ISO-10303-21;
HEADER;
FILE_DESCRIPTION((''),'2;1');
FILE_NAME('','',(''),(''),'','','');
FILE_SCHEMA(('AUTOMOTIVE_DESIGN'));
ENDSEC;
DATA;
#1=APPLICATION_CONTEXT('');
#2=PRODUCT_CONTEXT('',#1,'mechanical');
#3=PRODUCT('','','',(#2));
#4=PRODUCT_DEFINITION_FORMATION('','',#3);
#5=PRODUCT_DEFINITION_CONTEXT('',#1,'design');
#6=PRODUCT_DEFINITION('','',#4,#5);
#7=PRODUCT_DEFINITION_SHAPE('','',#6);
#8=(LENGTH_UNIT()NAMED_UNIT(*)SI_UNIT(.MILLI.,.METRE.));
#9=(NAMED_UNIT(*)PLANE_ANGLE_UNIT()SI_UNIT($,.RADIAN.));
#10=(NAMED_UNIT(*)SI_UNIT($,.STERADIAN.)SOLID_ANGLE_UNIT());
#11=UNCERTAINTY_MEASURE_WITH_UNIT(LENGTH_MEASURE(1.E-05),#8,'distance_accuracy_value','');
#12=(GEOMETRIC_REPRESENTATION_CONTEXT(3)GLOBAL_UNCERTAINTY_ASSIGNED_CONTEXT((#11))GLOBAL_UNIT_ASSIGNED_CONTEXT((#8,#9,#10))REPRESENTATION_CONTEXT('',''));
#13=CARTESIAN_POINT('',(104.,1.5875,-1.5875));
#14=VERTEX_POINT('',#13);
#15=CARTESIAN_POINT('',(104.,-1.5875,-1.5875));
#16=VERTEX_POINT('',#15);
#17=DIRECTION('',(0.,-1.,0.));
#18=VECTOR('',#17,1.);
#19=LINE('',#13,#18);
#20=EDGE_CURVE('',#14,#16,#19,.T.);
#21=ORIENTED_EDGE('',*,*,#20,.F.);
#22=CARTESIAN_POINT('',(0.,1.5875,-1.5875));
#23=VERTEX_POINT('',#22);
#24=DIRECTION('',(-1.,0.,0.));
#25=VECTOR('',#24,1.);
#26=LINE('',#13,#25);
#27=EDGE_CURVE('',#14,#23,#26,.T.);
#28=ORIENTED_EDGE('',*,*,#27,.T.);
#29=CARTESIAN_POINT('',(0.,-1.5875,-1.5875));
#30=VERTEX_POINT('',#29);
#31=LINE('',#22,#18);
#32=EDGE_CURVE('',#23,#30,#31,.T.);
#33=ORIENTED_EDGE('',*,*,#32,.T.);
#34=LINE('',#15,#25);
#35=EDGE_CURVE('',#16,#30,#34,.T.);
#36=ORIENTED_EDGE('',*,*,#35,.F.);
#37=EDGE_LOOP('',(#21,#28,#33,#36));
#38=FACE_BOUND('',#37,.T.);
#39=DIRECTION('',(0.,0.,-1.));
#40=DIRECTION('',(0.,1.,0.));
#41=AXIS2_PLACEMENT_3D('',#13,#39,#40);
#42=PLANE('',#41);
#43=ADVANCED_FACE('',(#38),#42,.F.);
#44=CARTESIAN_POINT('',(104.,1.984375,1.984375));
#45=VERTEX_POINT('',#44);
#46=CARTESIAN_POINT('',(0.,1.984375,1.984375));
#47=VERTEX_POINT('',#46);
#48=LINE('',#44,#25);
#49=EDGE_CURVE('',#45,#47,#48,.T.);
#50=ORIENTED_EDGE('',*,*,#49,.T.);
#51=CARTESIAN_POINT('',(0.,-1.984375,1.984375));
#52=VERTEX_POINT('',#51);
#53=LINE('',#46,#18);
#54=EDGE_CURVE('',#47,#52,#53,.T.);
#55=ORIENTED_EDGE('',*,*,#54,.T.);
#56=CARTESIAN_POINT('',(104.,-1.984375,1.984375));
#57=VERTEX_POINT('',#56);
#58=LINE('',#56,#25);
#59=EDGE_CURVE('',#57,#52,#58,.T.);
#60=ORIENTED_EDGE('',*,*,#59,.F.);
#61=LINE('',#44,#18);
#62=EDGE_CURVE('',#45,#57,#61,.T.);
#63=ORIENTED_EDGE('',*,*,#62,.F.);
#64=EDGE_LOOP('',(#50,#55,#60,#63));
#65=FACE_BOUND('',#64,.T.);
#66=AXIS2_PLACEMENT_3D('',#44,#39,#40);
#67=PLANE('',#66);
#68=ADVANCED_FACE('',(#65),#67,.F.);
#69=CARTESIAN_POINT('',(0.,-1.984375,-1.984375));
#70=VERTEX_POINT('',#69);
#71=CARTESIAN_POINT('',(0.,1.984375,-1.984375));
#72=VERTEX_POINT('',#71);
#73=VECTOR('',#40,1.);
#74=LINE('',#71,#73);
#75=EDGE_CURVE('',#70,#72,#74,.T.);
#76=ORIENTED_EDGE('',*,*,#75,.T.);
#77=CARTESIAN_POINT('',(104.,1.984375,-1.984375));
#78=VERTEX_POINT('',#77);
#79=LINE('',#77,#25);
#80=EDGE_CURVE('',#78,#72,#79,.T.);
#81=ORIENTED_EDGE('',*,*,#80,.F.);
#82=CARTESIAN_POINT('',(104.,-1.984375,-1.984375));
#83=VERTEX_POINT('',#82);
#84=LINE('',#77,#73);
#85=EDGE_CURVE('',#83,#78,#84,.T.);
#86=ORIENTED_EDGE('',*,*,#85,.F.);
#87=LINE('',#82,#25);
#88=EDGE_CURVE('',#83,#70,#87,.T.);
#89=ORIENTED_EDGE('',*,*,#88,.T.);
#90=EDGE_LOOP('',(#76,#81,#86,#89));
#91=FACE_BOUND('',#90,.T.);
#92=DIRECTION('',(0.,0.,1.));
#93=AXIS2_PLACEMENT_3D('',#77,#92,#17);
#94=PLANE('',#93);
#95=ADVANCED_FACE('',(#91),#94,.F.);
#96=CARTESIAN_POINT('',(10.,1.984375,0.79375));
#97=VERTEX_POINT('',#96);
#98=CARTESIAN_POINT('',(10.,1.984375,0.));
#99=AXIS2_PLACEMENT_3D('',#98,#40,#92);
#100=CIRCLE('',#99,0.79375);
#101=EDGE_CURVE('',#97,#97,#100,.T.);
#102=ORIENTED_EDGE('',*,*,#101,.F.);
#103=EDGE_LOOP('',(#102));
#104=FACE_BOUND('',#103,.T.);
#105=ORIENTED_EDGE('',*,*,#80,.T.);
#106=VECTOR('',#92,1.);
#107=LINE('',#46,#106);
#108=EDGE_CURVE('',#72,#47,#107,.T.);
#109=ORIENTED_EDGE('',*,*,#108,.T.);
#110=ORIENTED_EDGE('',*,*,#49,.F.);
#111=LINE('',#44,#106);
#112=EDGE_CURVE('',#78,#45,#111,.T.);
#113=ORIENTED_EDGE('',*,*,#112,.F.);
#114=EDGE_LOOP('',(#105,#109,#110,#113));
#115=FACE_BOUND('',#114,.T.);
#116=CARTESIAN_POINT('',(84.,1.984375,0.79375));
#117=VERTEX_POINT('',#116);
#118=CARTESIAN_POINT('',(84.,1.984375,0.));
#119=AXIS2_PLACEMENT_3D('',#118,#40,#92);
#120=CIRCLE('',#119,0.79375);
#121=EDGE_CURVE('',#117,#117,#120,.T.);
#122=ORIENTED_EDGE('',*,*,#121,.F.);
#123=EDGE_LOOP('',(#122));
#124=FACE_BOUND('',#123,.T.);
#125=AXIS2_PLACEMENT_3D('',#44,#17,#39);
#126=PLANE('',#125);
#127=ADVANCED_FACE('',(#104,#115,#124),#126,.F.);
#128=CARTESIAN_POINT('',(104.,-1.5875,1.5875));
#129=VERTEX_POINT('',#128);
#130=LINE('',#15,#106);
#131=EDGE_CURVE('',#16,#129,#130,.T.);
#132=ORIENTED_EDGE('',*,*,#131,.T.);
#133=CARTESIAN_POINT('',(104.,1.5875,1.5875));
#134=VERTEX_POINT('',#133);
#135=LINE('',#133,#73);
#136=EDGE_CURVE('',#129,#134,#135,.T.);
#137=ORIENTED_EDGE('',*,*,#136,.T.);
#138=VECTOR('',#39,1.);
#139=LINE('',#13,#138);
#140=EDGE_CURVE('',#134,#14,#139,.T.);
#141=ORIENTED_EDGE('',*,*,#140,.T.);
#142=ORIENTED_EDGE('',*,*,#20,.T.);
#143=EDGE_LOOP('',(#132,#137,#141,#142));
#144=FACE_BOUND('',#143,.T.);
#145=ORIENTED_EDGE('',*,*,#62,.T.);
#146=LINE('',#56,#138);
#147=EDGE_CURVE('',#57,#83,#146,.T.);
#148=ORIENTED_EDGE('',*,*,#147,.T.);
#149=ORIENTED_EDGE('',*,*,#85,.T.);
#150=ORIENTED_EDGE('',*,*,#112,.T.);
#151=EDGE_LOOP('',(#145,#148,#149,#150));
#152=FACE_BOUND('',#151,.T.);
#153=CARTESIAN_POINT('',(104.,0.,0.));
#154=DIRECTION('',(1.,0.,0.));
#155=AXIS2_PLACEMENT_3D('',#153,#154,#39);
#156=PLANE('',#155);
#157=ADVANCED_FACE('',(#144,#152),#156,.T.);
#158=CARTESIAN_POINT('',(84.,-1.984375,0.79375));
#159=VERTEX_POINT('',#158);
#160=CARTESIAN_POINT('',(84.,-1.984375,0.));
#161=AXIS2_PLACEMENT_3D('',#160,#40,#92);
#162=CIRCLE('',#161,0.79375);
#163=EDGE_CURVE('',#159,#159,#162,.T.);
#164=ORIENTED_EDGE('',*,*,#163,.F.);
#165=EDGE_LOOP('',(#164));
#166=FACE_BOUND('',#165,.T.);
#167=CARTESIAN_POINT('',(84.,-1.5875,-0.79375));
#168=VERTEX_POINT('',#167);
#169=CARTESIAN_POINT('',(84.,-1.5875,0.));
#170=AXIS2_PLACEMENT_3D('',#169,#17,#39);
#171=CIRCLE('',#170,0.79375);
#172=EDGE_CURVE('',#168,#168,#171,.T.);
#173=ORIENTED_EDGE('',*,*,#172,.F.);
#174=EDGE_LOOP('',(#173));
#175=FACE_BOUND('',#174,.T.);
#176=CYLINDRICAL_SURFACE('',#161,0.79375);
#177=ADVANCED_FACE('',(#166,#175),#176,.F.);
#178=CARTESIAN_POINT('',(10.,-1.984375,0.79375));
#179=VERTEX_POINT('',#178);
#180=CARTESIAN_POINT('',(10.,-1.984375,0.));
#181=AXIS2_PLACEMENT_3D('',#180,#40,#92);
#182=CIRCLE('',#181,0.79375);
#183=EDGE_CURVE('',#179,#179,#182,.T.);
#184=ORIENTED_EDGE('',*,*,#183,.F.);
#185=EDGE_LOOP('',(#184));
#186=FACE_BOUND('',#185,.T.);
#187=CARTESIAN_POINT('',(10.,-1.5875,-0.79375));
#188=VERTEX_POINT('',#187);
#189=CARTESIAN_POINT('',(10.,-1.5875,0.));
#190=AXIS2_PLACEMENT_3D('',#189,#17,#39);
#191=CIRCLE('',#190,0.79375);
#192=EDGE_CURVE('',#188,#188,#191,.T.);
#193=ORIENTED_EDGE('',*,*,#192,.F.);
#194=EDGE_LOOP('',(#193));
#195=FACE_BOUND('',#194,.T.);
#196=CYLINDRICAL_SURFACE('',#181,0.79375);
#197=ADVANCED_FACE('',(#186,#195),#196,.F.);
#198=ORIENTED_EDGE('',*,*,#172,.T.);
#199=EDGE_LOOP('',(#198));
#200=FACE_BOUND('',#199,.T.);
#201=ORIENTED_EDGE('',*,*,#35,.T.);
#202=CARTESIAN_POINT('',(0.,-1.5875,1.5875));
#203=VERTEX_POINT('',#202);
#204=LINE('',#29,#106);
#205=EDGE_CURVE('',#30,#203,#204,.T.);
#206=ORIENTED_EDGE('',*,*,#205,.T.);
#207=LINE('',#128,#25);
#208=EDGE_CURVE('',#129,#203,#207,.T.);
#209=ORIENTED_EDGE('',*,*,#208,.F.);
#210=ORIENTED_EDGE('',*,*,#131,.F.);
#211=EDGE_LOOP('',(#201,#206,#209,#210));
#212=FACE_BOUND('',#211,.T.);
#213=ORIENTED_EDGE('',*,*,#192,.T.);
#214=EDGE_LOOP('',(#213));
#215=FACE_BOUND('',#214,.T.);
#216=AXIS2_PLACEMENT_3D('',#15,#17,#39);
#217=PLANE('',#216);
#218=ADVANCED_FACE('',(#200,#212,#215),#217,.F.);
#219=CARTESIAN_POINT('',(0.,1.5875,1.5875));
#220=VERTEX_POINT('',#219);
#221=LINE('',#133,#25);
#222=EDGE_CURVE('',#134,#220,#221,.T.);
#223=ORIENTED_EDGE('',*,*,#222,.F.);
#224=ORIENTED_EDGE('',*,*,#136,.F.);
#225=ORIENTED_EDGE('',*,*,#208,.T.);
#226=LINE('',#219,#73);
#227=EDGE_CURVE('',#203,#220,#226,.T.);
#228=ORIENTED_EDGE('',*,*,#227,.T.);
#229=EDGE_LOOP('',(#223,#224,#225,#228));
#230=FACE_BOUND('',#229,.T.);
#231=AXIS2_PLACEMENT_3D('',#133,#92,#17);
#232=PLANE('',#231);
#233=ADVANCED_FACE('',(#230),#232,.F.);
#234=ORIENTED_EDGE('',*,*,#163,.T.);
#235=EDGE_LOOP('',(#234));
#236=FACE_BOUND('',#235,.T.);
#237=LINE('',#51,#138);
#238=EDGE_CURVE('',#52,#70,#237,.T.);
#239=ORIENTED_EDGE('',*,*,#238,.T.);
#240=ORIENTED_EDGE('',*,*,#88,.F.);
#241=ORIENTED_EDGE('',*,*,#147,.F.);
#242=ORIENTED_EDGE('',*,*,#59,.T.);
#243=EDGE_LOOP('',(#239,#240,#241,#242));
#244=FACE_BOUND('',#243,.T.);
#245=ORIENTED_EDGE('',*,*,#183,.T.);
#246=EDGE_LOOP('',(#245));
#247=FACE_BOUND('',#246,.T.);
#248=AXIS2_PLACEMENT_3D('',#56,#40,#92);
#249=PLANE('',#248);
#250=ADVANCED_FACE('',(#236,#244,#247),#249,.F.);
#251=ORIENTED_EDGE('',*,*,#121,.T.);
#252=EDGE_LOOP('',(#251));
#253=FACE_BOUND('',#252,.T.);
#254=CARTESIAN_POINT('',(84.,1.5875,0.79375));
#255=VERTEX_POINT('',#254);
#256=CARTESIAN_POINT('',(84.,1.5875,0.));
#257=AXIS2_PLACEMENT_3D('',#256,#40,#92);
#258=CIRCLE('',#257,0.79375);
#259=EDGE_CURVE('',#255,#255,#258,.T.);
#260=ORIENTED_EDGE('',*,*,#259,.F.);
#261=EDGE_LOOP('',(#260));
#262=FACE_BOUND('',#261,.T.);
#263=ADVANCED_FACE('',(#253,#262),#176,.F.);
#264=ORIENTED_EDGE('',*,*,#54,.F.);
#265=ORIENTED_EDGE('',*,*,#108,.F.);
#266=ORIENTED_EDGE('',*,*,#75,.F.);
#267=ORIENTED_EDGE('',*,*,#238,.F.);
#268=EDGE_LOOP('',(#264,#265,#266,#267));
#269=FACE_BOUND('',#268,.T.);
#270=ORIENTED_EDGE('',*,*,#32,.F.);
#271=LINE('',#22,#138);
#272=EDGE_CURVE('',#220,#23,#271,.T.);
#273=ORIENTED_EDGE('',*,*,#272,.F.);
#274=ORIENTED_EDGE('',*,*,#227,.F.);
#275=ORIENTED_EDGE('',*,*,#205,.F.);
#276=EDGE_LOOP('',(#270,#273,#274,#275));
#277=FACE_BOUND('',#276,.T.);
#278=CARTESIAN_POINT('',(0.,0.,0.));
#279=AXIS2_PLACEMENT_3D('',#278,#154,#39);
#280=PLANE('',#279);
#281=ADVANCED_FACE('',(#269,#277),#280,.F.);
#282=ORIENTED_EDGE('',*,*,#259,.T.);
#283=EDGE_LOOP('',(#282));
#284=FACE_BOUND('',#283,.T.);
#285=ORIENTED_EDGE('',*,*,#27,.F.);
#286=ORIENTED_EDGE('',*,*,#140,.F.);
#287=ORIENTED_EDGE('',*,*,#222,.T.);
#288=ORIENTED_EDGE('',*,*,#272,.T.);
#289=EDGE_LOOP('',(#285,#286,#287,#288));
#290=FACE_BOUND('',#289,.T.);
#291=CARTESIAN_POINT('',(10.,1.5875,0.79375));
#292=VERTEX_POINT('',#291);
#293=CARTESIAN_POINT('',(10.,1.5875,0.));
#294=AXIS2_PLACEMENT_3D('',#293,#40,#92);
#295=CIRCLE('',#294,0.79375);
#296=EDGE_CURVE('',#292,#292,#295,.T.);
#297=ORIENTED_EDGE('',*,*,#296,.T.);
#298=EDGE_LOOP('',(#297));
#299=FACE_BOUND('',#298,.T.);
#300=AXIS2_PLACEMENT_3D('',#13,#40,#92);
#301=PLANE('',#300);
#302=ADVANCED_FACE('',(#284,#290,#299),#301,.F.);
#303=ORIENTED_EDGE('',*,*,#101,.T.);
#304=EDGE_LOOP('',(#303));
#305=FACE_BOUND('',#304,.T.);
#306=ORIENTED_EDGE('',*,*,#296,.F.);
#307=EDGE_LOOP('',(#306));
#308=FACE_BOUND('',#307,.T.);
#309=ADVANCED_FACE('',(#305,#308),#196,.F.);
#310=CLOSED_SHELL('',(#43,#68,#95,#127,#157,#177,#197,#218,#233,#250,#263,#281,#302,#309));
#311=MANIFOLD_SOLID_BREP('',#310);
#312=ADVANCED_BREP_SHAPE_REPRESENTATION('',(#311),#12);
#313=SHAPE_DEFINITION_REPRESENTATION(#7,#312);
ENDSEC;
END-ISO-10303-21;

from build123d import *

# Parameters (mm, degrees)
SKETCH1_W           = 3.96875
SKETCH1_H           = 3.96875
BOSS_EXTRUDE1_DEPTH = 104
SKETCH2_W           = 3.175
SKETCH2_H           = 3.175
CUT_EXTRUDE1_DEPTH  = 105.037856035
SKETCH3_R           = 0.79375
CUT_EXTRUDE2_DEPTH  = 105.094614273
SKETCH4_R           = 0.79375
CUT_EXTRUDE3_DEPTH  = 105.094614273


with BuildPart() as part:
    # Sketch1 → Boss-Extrude1 (new body)
    with BuildSketch(Plane(origin=(0, 0, 0), x_dir=(0, 0, -1), z_dir=(1, 0, 0))):
        Rectangle(SKETCH1_W, SKETCH1_H)
    extrude(amount=BOSS_EXTRUDE1_DEPTH)

    # Sketch2 → Cut-Extrude1 (cut, through all)
    with BuildSketch(Plane.ZY):
        Rectangle(SKETCH2_W, SKETCH2_H)
    extrude(amount=-CUT_EXTRUDE1_DEPTH, mode=Mode.SUBTRACT)

    # Sketch3 → Cut-Extrude2 (cut, through all)
    with BuildSketch(Plane(origin=(0, 1.984375, 0), x_dir=(1, 0, 0), z_dir=(0, 1, 0))):
        with Locations(Location((10, 0, 0), (0, 0, 270))):
            Circle(SKETCH3_R)
    extrude(amount=-CUT_EXTRUDE2_DEPTH, mode=Mode.SUBTRACT)

    # Sketch4 → Cut-Extrude3 (cut, through all)
    with BuildSketch(Plane(origin=(0, 1.984375, 0), x_dir=(1, 0, 0), z_dir=(0, 1, 0))):
        with Locations(Location((84, 0, 0), (0, 0, 270))):
            Circle(SKETCH4_R)
    extrude(amount=-CUT_EXTRUDE3_DEPTH, mode=Mode.SUBTRACT)


solid = part.part
